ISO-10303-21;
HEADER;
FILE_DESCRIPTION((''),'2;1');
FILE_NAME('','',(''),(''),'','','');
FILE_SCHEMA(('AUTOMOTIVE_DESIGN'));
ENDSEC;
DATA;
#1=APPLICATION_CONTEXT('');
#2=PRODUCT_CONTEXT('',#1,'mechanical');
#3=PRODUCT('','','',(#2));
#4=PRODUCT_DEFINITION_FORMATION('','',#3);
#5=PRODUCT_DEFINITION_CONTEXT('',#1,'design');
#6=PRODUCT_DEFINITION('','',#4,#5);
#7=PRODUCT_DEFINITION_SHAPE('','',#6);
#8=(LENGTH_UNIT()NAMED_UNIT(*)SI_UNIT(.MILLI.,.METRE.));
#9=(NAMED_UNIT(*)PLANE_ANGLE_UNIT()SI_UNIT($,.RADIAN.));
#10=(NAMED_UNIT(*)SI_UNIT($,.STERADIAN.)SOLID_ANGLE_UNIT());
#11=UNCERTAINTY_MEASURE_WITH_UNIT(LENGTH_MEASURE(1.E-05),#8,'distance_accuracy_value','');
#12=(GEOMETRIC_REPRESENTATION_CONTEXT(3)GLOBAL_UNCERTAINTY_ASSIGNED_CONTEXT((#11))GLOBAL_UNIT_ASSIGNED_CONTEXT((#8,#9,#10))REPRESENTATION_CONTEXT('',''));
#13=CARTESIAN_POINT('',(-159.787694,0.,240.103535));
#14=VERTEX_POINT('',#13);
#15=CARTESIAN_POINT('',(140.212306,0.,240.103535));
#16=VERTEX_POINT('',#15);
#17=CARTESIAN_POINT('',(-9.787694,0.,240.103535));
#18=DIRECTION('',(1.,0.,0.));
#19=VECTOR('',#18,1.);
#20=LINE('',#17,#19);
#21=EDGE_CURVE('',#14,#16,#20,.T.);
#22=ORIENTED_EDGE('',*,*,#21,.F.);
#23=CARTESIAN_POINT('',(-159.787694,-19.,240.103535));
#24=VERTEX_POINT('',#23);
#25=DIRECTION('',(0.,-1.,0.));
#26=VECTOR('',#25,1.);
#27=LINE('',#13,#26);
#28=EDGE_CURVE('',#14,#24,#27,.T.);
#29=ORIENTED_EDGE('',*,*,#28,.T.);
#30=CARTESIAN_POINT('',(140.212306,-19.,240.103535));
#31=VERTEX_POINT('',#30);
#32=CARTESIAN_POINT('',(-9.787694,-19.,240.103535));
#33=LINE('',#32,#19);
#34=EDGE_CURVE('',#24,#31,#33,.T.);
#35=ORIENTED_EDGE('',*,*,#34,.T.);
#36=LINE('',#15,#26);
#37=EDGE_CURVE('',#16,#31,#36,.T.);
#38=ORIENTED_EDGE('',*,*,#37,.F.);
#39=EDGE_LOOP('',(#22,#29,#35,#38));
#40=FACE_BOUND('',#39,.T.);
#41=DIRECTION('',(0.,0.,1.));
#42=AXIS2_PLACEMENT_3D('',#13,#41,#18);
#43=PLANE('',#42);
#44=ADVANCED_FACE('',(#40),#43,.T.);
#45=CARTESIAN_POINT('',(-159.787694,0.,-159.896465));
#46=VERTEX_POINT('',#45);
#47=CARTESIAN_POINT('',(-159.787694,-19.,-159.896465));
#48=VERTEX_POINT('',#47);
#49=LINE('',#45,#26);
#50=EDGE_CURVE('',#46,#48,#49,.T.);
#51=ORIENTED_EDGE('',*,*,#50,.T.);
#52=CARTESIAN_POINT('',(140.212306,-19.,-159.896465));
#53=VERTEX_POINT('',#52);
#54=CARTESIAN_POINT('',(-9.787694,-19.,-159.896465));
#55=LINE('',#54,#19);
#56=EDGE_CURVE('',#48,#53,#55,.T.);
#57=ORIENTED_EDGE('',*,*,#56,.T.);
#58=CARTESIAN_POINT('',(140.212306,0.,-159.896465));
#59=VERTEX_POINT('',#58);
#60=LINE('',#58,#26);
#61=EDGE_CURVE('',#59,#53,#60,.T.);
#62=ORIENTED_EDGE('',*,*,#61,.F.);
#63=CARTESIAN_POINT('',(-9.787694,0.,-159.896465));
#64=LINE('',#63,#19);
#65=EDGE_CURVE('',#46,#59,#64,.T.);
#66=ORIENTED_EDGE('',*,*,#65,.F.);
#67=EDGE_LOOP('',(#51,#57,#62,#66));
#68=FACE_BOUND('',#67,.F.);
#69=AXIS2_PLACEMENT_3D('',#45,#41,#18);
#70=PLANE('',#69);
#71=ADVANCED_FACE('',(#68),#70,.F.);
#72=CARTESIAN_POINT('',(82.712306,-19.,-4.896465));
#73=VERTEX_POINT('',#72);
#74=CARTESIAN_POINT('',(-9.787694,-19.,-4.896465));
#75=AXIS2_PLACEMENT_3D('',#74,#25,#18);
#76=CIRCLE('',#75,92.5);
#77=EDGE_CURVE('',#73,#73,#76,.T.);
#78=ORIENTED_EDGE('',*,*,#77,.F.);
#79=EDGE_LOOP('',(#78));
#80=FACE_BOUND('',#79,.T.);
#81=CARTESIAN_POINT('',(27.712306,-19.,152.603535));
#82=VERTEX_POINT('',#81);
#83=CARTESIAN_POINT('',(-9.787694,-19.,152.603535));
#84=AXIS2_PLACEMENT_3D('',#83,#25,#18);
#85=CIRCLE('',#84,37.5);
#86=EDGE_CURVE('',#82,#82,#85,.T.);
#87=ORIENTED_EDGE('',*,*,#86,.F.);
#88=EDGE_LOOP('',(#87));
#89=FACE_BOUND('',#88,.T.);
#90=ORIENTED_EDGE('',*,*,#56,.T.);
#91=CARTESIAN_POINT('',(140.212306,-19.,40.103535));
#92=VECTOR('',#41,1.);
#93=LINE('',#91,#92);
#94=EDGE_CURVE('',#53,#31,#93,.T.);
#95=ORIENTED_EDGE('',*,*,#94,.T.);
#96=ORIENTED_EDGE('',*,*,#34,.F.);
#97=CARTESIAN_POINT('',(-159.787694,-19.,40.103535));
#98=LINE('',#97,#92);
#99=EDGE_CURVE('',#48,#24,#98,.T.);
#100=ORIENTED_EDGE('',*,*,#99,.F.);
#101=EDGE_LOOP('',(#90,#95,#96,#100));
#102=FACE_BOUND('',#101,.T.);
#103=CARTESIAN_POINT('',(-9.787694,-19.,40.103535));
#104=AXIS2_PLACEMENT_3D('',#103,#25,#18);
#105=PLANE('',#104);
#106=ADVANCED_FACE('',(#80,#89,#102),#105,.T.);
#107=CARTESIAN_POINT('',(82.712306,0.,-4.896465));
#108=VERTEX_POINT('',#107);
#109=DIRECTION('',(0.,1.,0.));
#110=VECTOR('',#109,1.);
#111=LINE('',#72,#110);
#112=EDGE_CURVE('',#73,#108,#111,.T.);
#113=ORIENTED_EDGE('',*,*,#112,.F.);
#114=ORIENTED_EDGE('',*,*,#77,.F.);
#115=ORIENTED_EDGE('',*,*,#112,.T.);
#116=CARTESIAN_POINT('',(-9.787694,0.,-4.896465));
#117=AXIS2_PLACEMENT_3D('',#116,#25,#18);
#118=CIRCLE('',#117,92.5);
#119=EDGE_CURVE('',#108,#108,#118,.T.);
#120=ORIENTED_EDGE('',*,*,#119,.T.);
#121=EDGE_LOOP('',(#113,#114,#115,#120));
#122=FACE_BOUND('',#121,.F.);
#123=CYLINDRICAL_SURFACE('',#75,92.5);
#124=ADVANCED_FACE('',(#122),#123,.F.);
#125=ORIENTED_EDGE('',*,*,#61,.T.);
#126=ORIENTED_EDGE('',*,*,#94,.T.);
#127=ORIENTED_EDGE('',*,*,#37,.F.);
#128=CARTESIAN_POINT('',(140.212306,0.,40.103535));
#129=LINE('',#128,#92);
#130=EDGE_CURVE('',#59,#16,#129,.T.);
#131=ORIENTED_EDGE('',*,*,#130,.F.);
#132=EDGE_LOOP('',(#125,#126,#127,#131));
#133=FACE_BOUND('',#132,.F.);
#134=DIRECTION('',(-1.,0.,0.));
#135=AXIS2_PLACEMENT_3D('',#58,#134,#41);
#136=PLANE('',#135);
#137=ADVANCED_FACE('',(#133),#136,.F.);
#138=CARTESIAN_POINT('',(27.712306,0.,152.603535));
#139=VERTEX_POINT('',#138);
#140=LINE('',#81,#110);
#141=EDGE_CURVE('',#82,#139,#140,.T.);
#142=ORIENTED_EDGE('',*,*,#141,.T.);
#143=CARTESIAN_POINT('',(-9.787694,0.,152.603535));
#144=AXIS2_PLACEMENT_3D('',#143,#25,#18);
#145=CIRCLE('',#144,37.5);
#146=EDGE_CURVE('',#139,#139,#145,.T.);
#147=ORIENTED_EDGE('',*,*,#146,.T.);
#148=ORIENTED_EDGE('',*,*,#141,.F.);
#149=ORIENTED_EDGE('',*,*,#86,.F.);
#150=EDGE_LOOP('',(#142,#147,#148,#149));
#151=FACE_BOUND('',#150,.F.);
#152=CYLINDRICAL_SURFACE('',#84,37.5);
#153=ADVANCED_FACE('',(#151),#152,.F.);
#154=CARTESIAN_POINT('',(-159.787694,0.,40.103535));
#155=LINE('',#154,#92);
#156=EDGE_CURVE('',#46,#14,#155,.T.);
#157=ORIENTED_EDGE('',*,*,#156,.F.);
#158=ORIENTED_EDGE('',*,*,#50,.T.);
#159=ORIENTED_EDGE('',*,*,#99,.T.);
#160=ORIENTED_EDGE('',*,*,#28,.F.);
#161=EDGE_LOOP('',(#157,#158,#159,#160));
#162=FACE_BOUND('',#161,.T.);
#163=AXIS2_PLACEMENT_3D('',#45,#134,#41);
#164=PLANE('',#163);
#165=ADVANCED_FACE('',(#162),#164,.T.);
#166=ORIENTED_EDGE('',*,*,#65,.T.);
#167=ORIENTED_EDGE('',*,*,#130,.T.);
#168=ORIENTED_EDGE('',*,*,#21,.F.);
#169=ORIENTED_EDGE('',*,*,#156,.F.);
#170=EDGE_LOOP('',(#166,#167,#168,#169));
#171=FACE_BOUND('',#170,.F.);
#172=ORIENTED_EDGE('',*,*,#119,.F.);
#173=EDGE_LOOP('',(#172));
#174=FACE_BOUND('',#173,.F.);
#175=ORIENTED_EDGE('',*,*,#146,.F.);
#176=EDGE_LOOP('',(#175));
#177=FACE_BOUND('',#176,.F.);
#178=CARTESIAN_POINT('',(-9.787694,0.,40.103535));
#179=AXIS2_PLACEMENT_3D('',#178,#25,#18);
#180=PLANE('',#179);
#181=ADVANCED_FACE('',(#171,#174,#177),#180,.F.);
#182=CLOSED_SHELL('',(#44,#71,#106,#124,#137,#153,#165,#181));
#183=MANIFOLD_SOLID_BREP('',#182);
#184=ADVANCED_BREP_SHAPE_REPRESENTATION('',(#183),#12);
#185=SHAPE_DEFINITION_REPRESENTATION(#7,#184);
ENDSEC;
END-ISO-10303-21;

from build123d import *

# Parameters (mm, degrees)
F0_W     = 300
F0_H     = 400
F1_DEPTH = 19
F2_R     = 37.5
F2_R_2   = 92.5
F3_DEPTH = 19


with BuildPart() as f1:
    # F0 (on Front) → F1 (new body)
    with BuildSketch(Plane.XZ):
        with Locations((-9.787694, 40.103535)):
            Rectangle(F0_W, F0_H)
    extrude(amount=F1_DEPTH)

    # F2 (on face) → F3 (cut)
    with BuildSketch(Plane.XZ.offset(19)):
        with Locations((-9.787694, 152.603535)):
            Circle(F2_R)
        with Locations((-9.787694, -4.896465)):
            Circle(F2_R_2)
    extrude(amount=-F3_DEPTH, mode=Mode.SUBTRACT)


solid = f1.part
